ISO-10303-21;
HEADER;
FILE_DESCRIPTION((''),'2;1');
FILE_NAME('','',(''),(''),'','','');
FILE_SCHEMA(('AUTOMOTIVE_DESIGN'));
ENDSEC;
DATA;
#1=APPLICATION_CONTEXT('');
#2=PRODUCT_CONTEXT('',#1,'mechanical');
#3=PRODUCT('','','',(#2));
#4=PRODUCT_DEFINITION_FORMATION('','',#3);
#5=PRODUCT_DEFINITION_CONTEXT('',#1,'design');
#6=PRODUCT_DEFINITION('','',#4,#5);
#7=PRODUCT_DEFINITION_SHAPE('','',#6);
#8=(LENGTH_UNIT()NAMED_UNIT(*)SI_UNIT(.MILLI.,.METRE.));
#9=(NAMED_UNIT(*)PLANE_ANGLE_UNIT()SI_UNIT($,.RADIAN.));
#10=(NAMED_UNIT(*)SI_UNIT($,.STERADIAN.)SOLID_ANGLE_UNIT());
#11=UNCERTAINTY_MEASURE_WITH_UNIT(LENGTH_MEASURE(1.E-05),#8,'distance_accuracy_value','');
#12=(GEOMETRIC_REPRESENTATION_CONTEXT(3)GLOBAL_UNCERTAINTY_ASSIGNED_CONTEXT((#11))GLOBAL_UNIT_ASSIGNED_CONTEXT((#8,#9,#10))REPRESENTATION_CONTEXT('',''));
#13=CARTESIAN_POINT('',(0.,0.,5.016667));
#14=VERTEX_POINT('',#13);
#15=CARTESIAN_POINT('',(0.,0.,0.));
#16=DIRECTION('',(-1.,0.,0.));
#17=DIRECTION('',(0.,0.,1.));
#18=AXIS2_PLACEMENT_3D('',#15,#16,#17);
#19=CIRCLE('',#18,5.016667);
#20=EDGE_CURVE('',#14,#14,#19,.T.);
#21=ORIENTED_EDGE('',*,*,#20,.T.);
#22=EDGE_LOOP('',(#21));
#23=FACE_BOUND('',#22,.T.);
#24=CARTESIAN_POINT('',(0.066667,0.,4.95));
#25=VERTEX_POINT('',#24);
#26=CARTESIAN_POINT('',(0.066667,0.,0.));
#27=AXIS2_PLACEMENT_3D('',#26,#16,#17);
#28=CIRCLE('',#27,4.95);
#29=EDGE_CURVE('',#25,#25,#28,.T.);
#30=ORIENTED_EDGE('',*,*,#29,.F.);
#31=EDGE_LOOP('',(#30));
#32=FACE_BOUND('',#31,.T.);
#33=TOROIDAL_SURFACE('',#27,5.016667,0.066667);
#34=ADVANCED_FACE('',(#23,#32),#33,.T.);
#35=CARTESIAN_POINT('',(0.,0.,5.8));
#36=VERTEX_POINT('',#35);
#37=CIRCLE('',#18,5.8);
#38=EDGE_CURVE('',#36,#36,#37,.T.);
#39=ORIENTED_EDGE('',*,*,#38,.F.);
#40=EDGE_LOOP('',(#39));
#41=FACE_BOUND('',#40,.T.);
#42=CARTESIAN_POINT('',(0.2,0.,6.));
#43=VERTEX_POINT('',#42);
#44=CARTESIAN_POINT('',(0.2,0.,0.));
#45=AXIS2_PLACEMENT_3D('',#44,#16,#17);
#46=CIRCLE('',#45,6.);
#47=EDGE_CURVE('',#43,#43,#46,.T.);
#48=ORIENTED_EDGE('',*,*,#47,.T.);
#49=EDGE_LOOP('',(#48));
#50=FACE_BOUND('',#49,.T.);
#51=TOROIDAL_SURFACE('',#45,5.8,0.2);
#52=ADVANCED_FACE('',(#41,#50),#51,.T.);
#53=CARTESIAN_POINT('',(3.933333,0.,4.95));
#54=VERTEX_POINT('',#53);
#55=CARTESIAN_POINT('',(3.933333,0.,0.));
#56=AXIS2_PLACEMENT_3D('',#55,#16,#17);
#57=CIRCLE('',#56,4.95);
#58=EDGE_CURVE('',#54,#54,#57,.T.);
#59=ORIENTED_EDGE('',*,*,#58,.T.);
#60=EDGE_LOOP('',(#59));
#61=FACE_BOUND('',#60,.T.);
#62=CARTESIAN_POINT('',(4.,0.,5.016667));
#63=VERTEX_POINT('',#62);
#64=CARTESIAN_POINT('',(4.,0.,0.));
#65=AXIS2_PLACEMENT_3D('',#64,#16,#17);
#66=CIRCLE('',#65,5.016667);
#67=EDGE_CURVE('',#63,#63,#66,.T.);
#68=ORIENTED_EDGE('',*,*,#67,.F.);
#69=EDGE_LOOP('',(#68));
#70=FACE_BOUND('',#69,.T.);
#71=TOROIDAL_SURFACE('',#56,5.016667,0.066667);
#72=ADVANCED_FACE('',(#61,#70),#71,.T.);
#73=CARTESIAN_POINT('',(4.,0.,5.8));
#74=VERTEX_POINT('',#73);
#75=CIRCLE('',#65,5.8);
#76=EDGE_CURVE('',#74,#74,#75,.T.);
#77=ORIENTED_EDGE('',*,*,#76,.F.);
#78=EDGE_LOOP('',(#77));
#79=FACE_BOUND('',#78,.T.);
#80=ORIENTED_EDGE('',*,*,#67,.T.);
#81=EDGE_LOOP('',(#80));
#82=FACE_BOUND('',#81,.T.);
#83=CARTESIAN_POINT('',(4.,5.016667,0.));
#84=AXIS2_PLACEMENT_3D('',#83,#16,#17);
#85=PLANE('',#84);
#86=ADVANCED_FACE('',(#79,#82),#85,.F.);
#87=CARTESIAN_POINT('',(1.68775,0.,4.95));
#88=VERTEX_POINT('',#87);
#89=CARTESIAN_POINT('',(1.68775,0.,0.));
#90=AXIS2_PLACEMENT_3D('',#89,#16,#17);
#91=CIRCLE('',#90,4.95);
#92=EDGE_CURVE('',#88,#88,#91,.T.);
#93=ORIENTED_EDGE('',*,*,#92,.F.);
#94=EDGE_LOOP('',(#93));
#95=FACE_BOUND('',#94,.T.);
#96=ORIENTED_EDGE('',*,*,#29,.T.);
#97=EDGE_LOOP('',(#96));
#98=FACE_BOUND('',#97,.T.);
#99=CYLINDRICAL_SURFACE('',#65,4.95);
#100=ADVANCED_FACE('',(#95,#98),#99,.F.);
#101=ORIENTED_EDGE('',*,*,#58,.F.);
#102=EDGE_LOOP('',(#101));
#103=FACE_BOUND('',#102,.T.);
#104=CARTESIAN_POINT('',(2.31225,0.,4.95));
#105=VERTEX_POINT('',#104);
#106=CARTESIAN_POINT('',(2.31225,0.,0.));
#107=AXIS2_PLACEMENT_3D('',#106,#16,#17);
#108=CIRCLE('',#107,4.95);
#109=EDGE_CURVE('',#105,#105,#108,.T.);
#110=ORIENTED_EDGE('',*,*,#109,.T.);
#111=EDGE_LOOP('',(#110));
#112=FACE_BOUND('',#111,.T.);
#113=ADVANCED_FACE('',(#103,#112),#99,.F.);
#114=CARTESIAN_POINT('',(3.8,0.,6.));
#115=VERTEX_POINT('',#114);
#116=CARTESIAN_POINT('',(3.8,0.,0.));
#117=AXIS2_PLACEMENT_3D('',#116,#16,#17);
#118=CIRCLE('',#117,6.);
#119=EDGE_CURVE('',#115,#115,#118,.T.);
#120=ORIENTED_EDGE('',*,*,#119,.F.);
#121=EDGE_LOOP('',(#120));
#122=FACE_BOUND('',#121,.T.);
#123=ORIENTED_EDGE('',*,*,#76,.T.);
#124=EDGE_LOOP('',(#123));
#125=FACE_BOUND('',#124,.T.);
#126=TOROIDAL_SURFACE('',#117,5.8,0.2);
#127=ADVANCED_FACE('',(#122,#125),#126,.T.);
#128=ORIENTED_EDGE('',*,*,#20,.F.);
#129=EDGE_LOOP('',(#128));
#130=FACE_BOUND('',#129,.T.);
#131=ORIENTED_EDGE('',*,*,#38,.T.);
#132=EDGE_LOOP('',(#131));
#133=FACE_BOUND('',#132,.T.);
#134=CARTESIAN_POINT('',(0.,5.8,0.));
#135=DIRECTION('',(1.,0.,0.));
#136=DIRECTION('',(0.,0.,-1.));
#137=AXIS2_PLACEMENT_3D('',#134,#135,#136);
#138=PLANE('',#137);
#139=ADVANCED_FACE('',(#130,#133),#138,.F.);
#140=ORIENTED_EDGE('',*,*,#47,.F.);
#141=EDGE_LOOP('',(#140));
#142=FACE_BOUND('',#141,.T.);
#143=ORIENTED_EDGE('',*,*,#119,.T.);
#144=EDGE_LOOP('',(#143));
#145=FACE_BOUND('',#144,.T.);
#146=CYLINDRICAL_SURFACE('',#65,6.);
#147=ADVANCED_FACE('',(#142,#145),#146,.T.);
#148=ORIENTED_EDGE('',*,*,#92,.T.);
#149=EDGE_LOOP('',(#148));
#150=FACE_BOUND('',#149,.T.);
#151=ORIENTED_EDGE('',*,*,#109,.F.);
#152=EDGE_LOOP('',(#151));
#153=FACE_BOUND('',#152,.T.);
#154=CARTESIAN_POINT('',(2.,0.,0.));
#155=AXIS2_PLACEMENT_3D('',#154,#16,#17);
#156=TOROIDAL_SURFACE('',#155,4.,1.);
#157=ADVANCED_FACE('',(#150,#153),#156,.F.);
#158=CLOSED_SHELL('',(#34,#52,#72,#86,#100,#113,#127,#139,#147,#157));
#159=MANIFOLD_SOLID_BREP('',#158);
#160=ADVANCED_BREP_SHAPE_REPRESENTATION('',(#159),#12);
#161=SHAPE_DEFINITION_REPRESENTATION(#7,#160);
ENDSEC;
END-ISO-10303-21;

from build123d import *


with BuildPart() as part:
    # Sketch1 → Revolve1 (revolve)
    with BuildSketch(Plane.XY, mode=Mode.PRIVATE) as revolve1_sk:
        with BuildLine():
            Line((0.066666667, 4.95), (1.6877501, 4.95))
            ThreePointArc((1.6877501, 4.95), (2, 5), (2.3122499, 4.95))
            Line((2.3122499, 4.95), (3.933333333, 4.95))
            ThreePointArc((3.933333333, 4.95), (3.980473785, 4.969526215), (4, 5.016666667))
            Line((4, 5.016666667), (4, 5.8))
            ThreePointArc((4, 5.8), (3.941421356, 5.941421356), (3.8, 6))
            Line((3.8, 6), (0.2, 6))
            ThreePointArc((0.2, 6), (0.058578644, 5.941421356), (0, 5.8))
            Line((0, 5.8), (0, 5.016666667))
            ThreePointArc((0, 5.016666667), (0.019526215, 4.969526215), (0.066666667, 4.95))
        make_face()
    revolve(revolve1_sk.sketch.rotate(Axis((4, 0, 0), (-1, 0, 0)), 270), axis=Axis((4, 0, 0), (-1, 0, 0)))


solid = part.part
